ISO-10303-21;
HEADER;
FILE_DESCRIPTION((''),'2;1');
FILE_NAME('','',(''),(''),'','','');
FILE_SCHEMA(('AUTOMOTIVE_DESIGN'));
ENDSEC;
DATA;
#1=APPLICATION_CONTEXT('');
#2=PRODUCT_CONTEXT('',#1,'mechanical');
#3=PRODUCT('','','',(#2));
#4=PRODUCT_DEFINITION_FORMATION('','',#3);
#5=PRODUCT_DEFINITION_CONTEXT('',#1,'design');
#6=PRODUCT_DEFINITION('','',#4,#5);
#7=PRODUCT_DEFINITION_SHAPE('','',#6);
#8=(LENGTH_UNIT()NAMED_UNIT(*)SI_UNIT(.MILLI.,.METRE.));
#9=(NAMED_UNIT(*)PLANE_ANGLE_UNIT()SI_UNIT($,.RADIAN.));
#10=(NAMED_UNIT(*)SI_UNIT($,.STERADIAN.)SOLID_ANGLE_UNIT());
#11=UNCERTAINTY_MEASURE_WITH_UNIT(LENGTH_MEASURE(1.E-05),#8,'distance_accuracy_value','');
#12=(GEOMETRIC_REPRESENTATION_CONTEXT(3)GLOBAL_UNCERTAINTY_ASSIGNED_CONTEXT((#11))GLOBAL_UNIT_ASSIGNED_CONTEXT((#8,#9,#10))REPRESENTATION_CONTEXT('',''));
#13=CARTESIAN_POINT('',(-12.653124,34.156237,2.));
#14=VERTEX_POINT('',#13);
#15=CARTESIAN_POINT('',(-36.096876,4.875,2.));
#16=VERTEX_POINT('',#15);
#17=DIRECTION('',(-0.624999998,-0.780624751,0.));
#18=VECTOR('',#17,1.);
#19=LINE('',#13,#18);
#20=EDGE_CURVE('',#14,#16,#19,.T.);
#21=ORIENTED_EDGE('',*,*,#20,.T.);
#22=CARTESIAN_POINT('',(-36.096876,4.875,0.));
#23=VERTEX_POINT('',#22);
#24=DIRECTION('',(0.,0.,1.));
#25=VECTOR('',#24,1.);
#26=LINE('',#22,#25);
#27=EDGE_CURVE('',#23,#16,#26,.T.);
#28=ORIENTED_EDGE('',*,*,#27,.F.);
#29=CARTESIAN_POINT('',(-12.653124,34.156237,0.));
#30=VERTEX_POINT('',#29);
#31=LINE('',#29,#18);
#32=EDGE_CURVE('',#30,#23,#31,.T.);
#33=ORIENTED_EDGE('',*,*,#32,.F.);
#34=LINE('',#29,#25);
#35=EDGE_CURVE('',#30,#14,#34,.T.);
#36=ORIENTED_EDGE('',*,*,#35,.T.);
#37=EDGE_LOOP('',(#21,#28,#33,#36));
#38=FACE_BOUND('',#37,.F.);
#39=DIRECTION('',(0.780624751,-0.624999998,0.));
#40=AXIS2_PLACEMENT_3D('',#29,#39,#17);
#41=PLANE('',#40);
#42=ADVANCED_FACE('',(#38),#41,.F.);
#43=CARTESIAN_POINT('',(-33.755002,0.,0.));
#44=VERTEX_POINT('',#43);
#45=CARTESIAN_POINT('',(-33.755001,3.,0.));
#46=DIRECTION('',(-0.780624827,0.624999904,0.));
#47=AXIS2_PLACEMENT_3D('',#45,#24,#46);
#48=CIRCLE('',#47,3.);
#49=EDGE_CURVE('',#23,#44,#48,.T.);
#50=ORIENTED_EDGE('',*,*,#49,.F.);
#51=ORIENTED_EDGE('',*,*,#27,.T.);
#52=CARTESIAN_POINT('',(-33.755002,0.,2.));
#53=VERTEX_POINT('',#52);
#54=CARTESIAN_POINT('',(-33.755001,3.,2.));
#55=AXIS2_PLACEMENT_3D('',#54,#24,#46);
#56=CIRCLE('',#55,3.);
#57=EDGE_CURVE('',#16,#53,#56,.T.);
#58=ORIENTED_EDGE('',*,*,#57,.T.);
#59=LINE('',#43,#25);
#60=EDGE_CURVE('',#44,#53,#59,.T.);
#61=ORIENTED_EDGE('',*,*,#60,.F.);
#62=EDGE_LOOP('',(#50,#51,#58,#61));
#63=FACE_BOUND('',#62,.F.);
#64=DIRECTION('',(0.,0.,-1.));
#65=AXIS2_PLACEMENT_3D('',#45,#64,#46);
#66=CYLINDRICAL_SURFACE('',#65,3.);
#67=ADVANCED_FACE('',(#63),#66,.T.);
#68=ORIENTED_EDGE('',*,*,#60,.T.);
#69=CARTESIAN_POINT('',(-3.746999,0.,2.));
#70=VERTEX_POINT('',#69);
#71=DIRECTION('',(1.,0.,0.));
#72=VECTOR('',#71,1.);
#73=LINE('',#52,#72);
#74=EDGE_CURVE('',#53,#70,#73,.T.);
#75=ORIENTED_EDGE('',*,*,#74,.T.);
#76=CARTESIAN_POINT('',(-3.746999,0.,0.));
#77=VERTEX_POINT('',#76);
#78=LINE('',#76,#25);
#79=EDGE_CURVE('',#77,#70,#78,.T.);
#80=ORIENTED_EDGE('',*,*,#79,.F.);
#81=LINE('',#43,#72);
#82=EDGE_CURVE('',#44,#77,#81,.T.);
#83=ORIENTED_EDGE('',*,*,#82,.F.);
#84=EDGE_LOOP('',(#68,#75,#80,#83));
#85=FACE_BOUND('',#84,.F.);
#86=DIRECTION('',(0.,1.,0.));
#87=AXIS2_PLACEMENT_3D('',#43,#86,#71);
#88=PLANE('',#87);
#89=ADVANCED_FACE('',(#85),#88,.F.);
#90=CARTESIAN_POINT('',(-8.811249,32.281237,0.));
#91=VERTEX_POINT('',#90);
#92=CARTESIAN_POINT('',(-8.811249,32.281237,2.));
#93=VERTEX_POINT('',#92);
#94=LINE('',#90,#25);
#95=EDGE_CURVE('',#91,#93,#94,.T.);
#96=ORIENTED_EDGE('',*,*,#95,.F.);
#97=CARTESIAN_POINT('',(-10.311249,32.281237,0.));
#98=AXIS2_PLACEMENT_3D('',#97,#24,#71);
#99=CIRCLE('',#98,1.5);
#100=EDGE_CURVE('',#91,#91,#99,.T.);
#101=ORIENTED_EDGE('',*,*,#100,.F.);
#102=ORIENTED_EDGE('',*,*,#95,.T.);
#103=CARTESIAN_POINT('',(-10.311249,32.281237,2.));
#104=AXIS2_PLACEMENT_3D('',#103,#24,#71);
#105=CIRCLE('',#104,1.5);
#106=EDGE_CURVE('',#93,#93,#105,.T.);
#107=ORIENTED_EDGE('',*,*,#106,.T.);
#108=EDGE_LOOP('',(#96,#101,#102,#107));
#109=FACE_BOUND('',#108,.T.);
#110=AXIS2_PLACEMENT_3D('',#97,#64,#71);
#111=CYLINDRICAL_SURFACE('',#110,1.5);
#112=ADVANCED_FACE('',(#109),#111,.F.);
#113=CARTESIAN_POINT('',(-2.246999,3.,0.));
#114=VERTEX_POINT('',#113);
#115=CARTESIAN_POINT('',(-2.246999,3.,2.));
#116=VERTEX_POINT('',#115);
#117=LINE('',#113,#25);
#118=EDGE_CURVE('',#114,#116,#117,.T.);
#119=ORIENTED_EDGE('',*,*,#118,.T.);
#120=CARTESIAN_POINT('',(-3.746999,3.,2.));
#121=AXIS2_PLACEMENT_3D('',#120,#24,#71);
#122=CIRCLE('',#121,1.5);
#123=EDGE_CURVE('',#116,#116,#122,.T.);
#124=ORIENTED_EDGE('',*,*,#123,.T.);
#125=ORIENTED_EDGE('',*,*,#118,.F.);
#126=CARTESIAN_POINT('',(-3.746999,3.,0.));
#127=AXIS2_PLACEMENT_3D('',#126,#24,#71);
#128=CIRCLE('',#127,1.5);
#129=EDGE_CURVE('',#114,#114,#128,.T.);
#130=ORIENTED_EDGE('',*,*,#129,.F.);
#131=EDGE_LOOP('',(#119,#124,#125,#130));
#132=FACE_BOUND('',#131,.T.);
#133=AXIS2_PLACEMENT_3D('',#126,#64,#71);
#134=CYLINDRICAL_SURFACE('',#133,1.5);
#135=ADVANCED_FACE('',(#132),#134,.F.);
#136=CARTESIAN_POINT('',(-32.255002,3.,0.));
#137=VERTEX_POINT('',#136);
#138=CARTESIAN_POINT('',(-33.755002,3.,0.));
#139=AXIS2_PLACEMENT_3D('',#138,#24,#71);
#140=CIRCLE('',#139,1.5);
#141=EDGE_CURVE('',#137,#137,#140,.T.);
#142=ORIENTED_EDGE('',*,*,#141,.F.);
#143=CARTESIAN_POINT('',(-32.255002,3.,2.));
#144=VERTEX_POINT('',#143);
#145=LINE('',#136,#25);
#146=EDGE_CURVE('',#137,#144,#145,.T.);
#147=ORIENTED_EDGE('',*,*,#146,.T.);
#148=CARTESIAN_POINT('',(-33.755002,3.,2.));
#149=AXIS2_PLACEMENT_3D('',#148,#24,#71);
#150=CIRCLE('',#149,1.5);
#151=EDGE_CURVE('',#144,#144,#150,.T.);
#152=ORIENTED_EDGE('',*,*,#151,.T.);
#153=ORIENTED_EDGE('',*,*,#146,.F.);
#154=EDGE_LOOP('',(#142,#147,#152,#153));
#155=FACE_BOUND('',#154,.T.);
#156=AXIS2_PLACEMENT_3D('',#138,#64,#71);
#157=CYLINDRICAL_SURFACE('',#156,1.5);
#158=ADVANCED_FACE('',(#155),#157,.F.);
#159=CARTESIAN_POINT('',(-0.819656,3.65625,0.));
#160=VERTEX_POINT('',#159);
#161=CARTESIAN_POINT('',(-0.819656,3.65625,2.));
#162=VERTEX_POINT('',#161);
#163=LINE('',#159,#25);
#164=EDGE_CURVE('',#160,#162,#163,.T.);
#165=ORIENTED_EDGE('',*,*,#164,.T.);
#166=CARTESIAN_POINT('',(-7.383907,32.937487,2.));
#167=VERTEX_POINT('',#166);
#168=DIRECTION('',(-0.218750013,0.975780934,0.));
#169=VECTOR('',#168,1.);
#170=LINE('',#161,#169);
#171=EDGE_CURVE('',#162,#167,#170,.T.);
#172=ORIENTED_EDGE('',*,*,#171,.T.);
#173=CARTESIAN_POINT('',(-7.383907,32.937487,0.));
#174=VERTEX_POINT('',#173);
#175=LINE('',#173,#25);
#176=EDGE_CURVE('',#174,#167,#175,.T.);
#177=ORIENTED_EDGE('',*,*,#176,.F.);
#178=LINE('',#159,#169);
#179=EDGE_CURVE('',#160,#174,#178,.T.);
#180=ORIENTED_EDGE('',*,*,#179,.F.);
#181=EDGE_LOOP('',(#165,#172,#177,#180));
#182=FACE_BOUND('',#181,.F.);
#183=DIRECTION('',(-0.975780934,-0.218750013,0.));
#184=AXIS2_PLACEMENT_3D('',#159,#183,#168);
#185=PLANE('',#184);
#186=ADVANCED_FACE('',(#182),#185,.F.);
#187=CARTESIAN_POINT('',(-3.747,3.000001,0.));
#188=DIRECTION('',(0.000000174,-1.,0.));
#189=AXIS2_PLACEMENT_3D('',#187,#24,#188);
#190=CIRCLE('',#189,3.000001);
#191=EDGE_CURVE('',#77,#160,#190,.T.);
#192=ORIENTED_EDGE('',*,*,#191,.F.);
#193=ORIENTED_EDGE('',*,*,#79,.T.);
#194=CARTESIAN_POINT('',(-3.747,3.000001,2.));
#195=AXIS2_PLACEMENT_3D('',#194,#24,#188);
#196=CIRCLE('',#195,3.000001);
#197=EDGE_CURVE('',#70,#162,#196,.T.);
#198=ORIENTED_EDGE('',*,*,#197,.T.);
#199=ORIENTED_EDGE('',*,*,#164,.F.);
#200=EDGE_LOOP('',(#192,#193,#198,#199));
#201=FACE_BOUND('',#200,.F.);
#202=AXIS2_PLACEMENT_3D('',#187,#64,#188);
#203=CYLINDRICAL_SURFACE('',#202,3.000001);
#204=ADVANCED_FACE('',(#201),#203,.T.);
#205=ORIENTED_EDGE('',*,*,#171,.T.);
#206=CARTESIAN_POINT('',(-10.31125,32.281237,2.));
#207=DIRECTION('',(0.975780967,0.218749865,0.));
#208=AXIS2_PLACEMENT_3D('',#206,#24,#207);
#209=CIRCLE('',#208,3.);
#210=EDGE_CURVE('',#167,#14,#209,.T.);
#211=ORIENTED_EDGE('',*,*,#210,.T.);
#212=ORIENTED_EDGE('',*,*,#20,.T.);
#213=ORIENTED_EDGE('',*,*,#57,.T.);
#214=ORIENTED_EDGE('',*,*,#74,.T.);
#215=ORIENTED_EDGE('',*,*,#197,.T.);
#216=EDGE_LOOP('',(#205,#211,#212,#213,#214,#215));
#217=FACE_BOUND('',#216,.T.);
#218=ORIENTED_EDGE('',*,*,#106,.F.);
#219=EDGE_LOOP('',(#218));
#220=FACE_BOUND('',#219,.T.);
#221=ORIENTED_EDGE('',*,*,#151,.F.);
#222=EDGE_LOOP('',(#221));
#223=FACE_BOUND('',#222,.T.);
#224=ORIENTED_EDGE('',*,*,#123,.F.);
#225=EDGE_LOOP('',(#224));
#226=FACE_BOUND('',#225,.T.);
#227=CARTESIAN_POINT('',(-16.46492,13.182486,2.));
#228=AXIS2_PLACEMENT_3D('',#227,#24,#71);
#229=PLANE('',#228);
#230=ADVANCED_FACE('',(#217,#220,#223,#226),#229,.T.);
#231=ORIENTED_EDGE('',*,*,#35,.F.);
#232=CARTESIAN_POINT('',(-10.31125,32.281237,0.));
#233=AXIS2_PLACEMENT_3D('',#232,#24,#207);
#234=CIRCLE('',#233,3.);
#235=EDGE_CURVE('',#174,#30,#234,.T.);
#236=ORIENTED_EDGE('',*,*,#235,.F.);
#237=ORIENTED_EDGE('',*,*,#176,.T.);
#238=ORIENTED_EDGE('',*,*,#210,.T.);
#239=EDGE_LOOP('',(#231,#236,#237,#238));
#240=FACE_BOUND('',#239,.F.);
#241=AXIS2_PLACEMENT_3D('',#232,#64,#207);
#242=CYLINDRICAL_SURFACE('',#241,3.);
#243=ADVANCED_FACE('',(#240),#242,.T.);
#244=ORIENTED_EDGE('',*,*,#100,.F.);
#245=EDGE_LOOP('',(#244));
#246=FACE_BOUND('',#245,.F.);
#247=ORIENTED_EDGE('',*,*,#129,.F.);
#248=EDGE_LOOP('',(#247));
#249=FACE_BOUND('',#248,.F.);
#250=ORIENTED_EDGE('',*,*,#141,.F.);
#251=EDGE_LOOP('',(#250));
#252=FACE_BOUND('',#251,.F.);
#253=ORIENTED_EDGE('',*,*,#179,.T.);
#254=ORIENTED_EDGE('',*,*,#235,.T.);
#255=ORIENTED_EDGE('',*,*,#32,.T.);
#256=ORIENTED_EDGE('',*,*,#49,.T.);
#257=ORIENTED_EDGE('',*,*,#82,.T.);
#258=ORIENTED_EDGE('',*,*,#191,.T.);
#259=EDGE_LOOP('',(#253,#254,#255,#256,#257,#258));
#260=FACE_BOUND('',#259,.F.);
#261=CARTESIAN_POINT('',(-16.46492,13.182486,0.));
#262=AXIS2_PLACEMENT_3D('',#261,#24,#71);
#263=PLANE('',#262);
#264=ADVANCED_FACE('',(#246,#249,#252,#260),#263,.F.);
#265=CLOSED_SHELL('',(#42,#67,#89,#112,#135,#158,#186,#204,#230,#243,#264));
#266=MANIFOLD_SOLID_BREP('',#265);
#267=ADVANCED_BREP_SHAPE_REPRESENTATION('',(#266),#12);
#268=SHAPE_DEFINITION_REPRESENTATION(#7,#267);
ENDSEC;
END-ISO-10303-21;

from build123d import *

# Parameters (mm, degrees)
F0_R     = 1.5
F1_DEPTH = 2


with BuildPart() as f1:
    # F0 (on Top) → F1 (new body)
    with BuildSketch(Plane.XY):
        with BuildLine():
            ThreePointArc((-3.746999, 0), (-1.405125, 1.125), (-0.819656, 3.65625))
            Line((-0.819656, 3.65625), (-7.383907, 32.937487))
            ThreePointArc((-7.383907, 32.937487), (-9.635209, 35.204073), (-12.653124, 34.156237))
            Line((-12.653124, 34.156237), (-36.096876, 4.875))
            ThreePointArc((-36.096876, 4.875), (-36.459165, 1.700962), (-33.755002, 0))
            Line((-33.755002, 0), (-3.746999, 0))
        make_face()
        with Locations((-33.755002, 3)):
            Circle(F0_R, mode=Mode.SUBTRACT)
        with Locations((-3.746999, 3)):
            Circle(F0_R, mode=Mode.SUBTRACT)
        with Locations((-10.311249, 32.281237)):
            Circle(F0_R, mode=Mode.SUBTRACT)
    extrude(amount=F1_DEPTH)


solid = f1.part
